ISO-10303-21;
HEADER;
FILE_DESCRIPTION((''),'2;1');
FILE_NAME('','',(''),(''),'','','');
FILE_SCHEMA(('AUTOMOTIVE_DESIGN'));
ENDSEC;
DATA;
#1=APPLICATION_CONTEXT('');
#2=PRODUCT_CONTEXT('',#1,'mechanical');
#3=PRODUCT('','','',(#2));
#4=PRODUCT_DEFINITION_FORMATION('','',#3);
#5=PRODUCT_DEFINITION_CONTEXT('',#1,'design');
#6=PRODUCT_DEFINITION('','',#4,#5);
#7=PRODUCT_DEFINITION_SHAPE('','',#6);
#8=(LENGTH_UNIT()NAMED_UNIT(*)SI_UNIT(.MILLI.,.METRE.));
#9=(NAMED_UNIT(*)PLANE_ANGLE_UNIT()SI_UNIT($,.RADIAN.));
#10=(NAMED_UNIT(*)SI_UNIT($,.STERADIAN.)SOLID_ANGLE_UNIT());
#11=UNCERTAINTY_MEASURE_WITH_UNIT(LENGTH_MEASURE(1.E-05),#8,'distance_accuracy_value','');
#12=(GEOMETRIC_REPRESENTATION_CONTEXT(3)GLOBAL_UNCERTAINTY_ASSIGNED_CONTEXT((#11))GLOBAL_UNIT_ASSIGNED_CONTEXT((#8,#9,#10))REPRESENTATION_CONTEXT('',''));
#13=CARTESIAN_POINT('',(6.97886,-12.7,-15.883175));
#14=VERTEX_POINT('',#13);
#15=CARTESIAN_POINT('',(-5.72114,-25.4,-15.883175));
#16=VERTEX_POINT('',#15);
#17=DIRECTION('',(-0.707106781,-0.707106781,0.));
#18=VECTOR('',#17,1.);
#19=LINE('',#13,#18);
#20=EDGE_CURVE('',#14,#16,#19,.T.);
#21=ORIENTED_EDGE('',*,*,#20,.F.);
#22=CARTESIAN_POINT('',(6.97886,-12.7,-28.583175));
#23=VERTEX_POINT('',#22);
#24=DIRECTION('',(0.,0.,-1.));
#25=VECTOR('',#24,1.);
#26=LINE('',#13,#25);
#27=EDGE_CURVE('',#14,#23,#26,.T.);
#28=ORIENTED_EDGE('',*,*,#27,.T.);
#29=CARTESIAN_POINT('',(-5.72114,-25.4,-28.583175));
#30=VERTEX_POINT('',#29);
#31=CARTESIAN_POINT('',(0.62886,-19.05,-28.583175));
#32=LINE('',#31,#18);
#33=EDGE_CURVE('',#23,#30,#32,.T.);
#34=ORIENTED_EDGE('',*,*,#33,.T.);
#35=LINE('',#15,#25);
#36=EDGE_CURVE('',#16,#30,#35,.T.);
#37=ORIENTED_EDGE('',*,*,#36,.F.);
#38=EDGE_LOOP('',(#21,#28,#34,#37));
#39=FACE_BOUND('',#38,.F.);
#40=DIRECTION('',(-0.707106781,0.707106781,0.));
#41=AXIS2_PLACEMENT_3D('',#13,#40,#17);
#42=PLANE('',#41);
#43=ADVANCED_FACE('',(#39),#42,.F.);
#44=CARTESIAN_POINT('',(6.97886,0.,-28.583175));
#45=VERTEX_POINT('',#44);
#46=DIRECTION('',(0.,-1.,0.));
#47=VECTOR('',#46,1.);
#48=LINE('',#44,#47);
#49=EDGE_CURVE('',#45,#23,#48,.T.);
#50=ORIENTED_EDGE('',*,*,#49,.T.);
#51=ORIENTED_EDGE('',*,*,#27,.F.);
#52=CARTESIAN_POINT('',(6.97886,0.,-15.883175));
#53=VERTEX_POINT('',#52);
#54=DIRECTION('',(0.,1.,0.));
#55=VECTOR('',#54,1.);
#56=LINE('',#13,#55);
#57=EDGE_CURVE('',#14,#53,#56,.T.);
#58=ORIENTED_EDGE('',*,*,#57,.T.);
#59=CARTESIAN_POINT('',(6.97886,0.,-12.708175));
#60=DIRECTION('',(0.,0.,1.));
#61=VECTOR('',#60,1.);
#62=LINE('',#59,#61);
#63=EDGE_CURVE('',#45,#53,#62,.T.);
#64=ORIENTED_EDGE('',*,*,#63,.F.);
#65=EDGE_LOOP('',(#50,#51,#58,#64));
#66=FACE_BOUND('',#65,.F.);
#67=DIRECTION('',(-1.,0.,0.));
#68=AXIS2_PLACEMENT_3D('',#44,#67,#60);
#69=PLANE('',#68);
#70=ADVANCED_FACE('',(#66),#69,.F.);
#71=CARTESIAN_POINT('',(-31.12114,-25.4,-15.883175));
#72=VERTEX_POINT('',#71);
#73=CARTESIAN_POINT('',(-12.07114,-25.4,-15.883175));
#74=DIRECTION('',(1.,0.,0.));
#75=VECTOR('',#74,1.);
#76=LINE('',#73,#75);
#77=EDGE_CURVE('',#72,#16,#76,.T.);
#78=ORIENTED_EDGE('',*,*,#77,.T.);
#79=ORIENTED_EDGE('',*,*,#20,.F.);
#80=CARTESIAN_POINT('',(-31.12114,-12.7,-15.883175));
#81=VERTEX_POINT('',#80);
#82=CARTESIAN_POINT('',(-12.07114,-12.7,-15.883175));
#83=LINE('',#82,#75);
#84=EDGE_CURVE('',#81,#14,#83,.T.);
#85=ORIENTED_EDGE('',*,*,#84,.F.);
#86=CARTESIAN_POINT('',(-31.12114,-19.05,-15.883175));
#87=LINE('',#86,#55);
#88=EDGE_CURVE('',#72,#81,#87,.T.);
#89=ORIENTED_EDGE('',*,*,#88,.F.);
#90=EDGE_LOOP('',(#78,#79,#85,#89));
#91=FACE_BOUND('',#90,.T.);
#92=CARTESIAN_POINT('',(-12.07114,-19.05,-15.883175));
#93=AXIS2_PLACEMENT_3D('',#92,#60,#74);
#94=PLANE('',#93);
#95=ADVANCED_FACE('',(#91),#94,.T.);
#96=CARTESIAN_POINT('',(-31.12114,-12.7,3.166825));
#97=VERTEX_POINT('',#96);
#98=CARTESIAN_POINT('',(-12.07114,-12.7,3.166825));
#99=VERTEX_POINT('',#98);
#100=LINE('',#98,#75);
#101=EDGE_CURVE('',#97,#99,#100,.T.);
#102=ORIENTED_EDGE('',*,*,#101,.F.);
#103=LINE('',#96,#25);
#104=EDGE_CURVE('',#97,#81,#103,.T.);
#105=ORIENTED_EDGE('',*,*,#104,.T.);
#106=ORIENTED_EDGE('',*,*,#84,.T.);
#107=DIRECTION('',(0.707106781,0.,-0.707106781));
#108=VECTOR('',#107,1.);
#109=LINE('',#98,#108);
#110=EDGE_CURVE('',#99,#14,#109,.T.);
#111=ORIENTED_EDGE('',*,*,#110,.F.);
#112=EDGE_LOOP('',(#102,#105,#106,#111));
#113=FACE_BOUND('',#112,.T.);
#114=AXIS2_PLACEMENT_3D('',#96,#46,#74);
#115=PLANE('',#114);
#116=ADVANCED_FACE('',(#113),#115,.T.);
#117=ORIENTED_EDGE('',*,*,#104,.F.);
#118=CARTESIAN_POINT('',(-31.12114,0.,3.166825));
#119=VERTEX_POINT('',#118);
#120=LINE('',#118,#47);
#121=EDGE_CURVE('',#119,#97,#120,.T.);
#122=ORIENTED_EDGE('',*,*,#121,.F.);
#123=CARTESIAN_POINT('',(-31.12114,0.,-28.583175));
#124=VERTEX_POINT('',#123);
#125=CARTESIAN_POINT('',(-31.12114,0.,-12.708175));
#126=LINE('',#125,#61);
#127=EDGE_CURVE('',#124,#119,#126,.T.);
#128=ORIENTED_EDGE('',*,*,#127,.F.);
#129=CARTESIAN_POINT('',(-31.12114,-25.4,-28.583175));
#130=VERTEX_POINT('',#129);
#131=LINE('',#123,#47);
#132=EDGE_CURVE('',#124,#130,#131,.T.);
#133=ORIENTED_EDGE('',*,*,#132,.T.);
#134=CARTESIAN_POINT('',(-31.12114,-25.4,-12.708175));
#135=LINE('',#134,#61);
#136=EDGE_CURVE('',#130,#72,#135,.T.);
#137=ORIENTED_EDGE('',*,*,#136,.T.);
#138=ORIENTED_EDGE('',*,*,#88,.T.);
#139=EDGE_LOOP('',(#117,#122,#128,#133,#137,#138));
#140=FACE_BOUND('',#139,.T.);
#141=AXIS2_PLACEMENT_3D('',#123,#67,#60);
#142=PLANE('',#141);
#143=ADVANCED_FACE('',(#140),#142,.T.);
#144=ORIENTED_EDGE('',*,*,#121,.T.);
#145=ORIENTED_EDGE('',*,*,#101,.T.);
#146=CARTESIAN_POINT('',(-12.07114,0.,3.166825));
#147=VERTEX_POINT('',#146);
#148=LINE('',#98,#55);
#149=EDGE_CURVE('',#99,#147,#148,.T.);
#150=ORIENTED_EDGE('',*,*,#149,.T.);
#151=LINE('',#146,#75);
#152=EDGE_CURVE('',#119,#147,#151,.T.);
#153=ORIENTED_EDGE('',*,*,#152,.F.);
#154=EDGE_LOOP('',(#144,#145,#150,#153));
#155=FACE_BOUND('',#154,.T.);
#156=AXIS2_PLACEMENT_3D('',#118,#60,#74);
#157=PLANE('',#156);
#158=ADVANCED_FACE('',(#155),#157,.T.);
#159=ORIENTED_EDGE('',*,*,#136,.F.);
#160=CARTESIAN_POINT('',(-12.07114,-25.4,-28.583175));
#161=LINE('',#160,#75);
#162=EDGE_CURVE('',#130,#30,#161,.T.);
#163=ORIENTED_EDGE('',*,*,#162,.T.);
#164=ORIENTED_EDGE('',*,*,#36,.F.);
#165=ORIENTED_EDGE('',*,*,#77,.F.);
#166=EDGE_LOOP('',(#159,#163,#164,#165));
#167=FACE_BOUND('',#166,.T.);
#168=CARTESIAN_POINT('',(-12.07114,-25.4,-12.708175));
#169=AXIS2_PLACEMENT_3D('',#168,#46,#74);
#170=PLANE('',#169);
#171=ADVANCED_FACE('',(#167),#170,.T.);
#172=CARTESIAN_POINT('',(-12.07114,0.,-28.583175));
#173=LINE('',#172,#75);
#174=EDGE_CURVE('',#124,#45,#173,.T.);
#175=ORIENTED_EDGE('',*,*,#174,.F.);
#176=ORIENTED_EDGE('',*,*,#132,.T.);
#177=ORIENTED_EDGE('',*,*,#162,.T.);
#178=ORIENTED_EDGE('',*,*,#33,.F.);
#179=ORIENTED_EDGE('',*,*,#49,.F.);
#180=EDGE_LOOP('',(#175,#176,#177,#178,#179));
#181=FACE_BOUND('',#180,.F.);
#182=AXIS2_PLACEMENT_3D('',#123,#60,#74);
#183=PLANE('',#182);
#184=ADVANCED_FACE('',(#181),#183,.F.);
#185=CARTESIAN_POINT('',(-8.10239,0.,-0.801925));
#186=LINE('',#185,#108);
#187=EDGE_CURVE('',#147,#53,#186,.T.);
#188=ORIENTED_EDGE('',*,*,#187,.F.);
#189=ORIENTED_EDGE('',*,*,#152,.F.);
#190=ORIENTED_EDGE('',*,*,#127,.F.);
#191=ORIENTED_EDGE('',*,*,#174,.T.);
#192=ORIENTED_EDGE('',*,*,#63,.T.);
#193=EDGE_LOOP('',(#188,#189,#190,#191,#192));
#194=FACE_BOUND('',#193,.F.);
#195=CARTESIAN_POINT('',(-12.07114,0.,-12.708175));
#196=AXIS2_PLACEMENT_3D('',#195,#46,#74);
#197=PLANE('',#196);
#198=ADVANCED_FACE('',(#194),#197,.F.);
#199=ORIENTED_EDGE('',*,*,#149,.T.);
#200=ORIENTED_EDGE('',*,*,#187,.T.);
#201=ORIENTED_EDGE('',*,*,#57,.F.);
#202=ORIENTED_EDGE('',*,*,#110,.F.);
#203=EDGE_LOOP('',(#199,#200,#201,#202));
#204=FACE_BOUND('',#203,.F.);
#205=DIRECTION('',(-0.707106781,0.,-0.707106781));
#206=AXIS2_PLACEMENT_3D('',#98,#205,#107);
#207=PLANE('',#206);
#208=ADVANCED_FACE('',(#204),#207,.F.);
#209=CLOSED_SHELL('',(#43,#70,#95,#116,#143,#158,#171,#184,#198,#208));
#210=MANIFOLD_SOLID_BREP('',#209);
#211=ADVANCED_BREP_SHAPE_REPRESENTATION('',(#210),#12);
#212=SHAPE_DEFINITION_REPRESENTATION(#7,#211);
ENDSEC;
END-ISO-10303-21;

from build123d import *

# Parameters (mm, degrees)
F0_W     = 38.1
F0_H     = 31.75
F1_DEPTH = 25.4
F2_W     = 38.1
F2_H     = 12.7
F3_DEPTH = 19.05
F5_DEPTH = 25.4
F7_DEPTH = 25.4


with BuildPart() as f1:
    # F0 (on Front) → F1 (new body)
    with BuildSketch(Plane.XZ):
        with Locations((-12.07114, -12.708175)):
            Rectangle(F0_W, F0_H)
    extrude(amount=F1_DEPTH)

    # F2 (on face) → F3 (cut)
    with BuildSketch(Plane.XY.offset(3.166825)):
        with Locations((-12.07114, -19.05)):
            Rectangle(F2_W, F2_H)
    extrude(amount=-F3_DEPTH, mode=Mode.SUBTRACT)

    # F4 (on face) → F5 (cut)
    with BuildSketch(Plane.XY.offset(-15.883175)):
        Polygon((6.97886, -12.7), (-5.72114, -25.4), (6.97886, -25.4), align=None)
    extrude(amount=-F5_DEPTH, mode=Mode.SUBTRACT)

    # F6 (on face) → F7 (cut)
    with BuildSketch(Plane.XZ.offset(12.7)):
        Polygon((6.97886, 3.166825), (-12.07114, 3.166825), (6.97886, -15.883175), align=None)
    extrude(amount=-F7_DEPTH, mode=Mode.SUBTRACT)


solid = f1.part
